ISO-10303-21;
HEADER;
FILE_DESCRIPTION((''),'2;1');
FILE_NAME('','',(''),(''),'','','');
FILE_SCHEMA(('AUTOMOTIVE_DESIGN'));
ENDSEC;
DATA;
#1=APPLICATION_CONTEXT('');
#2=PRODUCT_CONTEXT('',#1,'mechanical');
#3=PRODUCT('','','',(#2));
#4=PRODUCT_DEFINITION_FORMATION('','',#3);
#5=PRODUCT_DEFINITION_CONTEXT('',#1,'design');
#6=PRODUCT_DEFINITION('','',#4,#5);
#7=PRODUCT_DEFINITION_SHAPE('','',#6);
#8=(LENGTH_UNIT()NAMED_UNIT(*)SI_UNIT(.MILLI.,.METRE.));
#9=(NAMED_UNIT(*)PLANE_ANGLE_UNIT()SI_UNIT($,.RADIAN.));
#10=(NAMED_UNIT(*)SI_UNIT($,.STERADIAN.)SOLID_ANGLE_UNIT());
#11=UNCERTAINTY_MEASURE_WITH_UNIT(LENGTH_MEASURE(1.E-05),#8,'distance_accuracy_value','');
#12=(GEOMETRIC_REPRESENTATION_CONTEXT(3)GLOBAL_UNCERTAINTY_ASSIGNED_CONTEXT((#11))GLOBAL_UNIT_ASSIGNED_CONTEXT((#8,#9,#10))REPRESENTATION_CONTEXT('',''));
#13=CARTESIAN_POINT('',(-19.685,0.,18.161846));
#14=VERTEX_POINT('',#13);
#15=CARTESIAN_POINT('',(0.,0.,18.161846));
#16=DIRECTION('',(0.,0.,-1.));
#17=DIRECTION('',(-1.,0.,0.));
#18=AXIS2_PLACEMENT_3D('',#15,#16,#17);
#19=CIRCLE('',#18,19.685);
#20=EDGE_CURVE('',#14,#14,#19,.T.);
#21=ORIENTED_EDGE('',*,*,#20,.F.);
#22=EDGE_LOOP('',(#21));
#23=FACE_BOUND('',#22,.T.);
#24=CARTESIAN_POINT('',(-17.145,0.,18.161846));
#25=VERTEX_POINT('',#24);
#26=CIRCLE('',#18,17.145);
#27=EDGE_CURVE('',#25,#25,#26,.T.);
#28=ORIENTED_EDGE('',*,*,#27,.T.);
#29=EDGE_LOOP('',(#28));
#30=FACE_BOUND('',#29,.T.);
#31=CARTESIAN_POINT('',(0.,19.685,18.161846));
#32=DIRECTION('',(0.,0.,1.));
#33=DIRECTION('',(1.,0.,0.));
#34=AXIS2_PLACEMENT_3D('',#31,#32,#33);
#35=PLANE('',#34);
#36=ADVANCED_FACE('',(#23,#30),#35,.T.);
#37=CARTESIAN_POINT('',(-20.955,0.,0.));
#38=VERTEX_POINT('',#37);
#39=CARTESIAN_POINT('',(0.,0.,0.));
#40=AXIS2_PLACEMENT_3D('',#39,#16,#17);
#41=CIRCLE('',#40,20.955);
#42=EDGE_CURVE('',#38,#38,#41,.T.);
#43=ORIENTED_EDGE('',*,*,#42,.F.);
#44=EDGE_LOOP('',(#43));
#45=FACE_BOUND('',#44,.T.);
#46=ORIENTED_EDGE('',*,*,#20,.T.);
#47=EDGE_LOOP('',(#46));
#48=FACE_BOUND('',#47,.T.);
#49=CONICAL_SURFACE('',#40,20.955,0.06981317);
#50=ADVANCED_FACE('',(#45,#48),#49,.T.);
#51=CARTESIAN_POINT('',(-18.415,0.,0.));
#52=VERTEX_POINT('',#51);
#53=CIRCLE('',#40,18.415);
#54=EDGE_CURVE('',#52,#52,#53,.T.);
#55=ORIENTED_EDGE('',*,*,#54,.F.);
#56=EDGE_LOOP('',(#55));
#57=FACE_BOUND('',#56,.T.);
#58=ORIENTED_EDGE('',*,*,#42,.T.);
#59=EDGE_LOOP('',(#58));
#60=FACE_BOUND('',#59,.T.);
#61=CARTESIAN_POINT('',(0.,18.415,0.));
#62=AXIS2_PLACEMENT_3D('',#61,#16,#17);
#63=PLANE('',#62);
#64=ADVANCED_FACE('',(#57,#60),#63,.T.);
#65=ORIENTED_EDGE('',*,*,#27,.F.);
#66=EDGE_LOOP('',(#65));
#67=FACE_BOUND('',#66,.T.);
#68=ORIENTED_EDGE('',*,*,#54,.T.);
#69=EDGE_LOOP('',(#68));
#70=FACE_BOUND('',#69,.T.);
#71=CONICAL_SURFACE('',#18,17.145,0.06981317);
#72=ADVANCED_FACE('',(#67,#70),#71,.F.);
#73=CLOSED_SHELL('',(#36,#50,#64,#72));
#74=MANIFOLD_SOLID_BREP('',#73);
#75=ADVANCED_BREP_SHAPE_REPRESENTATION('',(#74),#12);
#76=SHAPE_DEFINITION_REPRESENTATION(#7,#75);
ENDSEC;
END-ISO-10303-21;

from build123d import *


with BuildPart() as part:
    # Sketch1 → Revolve1 (revolve)
    with BuildSketch(Plane.YZ, mode=Mode.PRIVATE) as revolve1_sk:
        Polygon((18.415, 0), (20.955, 0), (19.685, 18.161846146), (17.145, 18.161846146), align=None)
    revolve(revolve1_sk.sketch.rotate(Axis((0, 0, 0), (0, 0, 1)), 90), axis=Axis((0, 0, 0), (0, 0, 1)))


solid = part.part
